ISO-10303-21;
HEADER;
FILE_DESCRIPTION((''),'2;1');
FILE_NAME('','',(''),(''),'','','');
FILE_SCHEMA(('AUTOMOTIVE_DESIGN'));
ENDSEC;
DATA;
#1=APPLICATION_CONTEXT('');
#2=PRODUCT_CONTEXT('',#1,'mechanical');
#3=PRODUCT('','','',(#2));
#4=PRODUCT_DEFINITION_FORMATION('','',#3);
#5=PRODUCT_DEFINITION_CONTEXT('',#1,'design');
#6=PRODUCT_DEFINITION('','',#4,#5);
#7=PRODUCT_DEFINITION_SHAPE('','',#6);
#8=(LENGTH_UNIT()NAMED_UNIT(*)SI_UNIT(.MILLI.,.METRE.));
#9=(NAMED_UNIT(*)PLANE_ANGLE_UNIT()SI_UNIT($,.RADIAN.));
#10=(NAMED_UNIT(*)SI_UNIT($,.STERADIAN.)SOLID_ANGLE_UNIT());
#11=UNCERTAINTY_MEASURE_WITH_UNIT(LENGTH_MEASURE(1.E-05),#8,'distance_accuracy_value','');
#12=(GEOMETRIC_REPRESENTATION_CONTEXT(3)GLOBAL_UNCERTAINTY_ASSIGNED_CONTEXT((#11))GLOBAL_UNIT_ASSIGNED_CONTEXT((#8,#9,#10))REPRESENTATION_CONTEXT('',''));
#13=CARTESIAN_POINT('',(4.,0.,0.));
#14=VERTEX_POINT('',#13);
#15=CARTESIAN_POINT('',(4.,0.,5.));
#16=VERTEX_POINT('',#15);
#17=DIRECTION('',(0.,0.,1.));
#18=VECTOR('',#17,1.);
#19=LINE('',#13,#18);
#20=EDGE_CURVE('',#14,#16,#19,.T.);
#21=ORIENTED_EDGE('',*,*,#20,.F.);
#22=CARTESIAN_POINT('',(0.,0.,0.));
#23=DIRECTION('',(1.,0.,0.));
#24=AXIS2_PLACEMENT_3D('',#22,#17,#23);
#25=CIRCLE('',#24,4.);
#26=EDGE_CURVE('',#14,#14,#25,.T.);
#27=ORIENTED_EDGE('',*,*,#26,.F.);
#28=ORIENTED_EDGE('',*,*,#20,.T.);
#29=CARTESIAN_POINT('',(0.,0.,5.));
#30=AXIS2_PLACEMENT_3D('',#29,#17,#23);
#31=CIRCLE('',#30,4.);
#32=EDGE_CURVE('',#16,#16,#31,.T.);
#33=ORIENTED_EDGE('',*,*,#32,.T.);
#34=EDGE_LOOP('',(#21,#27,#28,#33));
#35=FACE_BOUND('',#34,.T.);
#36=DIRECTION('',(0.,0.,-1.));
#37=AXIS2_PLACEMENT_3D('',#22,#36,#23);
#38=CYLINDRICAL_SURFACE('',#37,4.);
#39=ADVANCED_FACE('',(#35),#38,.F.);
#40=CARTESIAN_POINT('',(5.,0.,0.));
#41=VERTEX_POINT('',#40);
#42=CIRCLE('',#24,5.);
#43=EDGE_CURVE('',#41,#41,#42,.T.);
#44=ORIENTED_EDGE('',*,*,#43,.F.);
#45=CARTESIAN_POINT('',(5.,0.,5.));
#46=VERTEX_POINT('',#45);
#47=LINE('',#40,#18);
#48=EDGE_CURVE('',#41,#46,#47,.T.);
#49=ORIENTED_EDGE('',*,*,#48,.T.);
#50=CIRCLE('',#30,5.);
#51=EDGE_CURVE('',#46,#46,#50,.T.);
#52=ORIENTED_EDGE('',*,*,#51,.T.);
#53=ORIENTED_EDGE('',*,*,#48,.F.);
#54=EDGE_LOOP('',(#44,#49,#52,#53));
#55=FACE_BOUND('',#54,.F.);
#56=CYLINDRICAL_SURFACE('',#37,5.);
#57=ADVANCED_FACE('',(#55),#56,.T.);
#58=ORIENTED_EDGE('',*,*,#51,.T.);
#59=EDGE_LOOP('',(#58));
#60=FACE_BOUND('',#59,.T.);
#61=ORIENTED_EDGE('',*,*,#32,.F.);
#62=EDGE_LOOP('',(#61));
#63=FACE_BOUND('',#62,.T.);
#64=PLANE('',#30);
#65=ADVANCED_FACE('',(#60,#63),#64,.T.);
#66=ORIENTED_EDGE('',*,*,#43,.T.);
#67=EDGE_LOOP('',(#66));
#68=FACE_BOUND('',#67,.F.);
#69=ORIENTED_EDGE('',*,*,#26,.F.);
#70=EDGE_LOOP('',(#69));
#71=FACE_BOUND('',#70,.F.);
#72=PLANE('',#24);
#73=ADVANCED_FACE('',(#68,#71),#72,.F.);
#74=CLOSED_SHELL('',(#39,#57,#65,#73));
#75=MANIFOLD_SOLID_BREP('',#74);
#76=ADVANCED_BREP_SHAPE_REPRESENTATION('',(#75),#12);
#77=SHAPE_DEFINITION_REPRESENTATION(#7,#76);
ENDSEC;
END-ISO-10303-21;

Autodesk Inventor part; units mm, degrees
ref_plane "YZ Plane" through (0, 0, 0) normal (1, 0, 0) x (0, 1, 0)
ref_plane "XZ Plane" through (0, 0, 0) normal (0, 1, 0) x (-1, 0, 0)
ref_plane "XY Plane" through (0, 0, 0) normal (0, 0, 1) x (1, 0, 0)
sketch "スケッチ1" plane through (0, 0, 0) normal (0, 0, 1) x (1, 0, 0)
  circle A0 centre (0, 0) radius 4
  circle A1 centre (0, 0) radius 5
  dimension "d0" = 8
  dimension "d1" = 10
extrude "押し出し1" add sketch "スケッチ1" along normal blind 5
properties part number "オイレス081005" material "アセタール樹脂、黒"
